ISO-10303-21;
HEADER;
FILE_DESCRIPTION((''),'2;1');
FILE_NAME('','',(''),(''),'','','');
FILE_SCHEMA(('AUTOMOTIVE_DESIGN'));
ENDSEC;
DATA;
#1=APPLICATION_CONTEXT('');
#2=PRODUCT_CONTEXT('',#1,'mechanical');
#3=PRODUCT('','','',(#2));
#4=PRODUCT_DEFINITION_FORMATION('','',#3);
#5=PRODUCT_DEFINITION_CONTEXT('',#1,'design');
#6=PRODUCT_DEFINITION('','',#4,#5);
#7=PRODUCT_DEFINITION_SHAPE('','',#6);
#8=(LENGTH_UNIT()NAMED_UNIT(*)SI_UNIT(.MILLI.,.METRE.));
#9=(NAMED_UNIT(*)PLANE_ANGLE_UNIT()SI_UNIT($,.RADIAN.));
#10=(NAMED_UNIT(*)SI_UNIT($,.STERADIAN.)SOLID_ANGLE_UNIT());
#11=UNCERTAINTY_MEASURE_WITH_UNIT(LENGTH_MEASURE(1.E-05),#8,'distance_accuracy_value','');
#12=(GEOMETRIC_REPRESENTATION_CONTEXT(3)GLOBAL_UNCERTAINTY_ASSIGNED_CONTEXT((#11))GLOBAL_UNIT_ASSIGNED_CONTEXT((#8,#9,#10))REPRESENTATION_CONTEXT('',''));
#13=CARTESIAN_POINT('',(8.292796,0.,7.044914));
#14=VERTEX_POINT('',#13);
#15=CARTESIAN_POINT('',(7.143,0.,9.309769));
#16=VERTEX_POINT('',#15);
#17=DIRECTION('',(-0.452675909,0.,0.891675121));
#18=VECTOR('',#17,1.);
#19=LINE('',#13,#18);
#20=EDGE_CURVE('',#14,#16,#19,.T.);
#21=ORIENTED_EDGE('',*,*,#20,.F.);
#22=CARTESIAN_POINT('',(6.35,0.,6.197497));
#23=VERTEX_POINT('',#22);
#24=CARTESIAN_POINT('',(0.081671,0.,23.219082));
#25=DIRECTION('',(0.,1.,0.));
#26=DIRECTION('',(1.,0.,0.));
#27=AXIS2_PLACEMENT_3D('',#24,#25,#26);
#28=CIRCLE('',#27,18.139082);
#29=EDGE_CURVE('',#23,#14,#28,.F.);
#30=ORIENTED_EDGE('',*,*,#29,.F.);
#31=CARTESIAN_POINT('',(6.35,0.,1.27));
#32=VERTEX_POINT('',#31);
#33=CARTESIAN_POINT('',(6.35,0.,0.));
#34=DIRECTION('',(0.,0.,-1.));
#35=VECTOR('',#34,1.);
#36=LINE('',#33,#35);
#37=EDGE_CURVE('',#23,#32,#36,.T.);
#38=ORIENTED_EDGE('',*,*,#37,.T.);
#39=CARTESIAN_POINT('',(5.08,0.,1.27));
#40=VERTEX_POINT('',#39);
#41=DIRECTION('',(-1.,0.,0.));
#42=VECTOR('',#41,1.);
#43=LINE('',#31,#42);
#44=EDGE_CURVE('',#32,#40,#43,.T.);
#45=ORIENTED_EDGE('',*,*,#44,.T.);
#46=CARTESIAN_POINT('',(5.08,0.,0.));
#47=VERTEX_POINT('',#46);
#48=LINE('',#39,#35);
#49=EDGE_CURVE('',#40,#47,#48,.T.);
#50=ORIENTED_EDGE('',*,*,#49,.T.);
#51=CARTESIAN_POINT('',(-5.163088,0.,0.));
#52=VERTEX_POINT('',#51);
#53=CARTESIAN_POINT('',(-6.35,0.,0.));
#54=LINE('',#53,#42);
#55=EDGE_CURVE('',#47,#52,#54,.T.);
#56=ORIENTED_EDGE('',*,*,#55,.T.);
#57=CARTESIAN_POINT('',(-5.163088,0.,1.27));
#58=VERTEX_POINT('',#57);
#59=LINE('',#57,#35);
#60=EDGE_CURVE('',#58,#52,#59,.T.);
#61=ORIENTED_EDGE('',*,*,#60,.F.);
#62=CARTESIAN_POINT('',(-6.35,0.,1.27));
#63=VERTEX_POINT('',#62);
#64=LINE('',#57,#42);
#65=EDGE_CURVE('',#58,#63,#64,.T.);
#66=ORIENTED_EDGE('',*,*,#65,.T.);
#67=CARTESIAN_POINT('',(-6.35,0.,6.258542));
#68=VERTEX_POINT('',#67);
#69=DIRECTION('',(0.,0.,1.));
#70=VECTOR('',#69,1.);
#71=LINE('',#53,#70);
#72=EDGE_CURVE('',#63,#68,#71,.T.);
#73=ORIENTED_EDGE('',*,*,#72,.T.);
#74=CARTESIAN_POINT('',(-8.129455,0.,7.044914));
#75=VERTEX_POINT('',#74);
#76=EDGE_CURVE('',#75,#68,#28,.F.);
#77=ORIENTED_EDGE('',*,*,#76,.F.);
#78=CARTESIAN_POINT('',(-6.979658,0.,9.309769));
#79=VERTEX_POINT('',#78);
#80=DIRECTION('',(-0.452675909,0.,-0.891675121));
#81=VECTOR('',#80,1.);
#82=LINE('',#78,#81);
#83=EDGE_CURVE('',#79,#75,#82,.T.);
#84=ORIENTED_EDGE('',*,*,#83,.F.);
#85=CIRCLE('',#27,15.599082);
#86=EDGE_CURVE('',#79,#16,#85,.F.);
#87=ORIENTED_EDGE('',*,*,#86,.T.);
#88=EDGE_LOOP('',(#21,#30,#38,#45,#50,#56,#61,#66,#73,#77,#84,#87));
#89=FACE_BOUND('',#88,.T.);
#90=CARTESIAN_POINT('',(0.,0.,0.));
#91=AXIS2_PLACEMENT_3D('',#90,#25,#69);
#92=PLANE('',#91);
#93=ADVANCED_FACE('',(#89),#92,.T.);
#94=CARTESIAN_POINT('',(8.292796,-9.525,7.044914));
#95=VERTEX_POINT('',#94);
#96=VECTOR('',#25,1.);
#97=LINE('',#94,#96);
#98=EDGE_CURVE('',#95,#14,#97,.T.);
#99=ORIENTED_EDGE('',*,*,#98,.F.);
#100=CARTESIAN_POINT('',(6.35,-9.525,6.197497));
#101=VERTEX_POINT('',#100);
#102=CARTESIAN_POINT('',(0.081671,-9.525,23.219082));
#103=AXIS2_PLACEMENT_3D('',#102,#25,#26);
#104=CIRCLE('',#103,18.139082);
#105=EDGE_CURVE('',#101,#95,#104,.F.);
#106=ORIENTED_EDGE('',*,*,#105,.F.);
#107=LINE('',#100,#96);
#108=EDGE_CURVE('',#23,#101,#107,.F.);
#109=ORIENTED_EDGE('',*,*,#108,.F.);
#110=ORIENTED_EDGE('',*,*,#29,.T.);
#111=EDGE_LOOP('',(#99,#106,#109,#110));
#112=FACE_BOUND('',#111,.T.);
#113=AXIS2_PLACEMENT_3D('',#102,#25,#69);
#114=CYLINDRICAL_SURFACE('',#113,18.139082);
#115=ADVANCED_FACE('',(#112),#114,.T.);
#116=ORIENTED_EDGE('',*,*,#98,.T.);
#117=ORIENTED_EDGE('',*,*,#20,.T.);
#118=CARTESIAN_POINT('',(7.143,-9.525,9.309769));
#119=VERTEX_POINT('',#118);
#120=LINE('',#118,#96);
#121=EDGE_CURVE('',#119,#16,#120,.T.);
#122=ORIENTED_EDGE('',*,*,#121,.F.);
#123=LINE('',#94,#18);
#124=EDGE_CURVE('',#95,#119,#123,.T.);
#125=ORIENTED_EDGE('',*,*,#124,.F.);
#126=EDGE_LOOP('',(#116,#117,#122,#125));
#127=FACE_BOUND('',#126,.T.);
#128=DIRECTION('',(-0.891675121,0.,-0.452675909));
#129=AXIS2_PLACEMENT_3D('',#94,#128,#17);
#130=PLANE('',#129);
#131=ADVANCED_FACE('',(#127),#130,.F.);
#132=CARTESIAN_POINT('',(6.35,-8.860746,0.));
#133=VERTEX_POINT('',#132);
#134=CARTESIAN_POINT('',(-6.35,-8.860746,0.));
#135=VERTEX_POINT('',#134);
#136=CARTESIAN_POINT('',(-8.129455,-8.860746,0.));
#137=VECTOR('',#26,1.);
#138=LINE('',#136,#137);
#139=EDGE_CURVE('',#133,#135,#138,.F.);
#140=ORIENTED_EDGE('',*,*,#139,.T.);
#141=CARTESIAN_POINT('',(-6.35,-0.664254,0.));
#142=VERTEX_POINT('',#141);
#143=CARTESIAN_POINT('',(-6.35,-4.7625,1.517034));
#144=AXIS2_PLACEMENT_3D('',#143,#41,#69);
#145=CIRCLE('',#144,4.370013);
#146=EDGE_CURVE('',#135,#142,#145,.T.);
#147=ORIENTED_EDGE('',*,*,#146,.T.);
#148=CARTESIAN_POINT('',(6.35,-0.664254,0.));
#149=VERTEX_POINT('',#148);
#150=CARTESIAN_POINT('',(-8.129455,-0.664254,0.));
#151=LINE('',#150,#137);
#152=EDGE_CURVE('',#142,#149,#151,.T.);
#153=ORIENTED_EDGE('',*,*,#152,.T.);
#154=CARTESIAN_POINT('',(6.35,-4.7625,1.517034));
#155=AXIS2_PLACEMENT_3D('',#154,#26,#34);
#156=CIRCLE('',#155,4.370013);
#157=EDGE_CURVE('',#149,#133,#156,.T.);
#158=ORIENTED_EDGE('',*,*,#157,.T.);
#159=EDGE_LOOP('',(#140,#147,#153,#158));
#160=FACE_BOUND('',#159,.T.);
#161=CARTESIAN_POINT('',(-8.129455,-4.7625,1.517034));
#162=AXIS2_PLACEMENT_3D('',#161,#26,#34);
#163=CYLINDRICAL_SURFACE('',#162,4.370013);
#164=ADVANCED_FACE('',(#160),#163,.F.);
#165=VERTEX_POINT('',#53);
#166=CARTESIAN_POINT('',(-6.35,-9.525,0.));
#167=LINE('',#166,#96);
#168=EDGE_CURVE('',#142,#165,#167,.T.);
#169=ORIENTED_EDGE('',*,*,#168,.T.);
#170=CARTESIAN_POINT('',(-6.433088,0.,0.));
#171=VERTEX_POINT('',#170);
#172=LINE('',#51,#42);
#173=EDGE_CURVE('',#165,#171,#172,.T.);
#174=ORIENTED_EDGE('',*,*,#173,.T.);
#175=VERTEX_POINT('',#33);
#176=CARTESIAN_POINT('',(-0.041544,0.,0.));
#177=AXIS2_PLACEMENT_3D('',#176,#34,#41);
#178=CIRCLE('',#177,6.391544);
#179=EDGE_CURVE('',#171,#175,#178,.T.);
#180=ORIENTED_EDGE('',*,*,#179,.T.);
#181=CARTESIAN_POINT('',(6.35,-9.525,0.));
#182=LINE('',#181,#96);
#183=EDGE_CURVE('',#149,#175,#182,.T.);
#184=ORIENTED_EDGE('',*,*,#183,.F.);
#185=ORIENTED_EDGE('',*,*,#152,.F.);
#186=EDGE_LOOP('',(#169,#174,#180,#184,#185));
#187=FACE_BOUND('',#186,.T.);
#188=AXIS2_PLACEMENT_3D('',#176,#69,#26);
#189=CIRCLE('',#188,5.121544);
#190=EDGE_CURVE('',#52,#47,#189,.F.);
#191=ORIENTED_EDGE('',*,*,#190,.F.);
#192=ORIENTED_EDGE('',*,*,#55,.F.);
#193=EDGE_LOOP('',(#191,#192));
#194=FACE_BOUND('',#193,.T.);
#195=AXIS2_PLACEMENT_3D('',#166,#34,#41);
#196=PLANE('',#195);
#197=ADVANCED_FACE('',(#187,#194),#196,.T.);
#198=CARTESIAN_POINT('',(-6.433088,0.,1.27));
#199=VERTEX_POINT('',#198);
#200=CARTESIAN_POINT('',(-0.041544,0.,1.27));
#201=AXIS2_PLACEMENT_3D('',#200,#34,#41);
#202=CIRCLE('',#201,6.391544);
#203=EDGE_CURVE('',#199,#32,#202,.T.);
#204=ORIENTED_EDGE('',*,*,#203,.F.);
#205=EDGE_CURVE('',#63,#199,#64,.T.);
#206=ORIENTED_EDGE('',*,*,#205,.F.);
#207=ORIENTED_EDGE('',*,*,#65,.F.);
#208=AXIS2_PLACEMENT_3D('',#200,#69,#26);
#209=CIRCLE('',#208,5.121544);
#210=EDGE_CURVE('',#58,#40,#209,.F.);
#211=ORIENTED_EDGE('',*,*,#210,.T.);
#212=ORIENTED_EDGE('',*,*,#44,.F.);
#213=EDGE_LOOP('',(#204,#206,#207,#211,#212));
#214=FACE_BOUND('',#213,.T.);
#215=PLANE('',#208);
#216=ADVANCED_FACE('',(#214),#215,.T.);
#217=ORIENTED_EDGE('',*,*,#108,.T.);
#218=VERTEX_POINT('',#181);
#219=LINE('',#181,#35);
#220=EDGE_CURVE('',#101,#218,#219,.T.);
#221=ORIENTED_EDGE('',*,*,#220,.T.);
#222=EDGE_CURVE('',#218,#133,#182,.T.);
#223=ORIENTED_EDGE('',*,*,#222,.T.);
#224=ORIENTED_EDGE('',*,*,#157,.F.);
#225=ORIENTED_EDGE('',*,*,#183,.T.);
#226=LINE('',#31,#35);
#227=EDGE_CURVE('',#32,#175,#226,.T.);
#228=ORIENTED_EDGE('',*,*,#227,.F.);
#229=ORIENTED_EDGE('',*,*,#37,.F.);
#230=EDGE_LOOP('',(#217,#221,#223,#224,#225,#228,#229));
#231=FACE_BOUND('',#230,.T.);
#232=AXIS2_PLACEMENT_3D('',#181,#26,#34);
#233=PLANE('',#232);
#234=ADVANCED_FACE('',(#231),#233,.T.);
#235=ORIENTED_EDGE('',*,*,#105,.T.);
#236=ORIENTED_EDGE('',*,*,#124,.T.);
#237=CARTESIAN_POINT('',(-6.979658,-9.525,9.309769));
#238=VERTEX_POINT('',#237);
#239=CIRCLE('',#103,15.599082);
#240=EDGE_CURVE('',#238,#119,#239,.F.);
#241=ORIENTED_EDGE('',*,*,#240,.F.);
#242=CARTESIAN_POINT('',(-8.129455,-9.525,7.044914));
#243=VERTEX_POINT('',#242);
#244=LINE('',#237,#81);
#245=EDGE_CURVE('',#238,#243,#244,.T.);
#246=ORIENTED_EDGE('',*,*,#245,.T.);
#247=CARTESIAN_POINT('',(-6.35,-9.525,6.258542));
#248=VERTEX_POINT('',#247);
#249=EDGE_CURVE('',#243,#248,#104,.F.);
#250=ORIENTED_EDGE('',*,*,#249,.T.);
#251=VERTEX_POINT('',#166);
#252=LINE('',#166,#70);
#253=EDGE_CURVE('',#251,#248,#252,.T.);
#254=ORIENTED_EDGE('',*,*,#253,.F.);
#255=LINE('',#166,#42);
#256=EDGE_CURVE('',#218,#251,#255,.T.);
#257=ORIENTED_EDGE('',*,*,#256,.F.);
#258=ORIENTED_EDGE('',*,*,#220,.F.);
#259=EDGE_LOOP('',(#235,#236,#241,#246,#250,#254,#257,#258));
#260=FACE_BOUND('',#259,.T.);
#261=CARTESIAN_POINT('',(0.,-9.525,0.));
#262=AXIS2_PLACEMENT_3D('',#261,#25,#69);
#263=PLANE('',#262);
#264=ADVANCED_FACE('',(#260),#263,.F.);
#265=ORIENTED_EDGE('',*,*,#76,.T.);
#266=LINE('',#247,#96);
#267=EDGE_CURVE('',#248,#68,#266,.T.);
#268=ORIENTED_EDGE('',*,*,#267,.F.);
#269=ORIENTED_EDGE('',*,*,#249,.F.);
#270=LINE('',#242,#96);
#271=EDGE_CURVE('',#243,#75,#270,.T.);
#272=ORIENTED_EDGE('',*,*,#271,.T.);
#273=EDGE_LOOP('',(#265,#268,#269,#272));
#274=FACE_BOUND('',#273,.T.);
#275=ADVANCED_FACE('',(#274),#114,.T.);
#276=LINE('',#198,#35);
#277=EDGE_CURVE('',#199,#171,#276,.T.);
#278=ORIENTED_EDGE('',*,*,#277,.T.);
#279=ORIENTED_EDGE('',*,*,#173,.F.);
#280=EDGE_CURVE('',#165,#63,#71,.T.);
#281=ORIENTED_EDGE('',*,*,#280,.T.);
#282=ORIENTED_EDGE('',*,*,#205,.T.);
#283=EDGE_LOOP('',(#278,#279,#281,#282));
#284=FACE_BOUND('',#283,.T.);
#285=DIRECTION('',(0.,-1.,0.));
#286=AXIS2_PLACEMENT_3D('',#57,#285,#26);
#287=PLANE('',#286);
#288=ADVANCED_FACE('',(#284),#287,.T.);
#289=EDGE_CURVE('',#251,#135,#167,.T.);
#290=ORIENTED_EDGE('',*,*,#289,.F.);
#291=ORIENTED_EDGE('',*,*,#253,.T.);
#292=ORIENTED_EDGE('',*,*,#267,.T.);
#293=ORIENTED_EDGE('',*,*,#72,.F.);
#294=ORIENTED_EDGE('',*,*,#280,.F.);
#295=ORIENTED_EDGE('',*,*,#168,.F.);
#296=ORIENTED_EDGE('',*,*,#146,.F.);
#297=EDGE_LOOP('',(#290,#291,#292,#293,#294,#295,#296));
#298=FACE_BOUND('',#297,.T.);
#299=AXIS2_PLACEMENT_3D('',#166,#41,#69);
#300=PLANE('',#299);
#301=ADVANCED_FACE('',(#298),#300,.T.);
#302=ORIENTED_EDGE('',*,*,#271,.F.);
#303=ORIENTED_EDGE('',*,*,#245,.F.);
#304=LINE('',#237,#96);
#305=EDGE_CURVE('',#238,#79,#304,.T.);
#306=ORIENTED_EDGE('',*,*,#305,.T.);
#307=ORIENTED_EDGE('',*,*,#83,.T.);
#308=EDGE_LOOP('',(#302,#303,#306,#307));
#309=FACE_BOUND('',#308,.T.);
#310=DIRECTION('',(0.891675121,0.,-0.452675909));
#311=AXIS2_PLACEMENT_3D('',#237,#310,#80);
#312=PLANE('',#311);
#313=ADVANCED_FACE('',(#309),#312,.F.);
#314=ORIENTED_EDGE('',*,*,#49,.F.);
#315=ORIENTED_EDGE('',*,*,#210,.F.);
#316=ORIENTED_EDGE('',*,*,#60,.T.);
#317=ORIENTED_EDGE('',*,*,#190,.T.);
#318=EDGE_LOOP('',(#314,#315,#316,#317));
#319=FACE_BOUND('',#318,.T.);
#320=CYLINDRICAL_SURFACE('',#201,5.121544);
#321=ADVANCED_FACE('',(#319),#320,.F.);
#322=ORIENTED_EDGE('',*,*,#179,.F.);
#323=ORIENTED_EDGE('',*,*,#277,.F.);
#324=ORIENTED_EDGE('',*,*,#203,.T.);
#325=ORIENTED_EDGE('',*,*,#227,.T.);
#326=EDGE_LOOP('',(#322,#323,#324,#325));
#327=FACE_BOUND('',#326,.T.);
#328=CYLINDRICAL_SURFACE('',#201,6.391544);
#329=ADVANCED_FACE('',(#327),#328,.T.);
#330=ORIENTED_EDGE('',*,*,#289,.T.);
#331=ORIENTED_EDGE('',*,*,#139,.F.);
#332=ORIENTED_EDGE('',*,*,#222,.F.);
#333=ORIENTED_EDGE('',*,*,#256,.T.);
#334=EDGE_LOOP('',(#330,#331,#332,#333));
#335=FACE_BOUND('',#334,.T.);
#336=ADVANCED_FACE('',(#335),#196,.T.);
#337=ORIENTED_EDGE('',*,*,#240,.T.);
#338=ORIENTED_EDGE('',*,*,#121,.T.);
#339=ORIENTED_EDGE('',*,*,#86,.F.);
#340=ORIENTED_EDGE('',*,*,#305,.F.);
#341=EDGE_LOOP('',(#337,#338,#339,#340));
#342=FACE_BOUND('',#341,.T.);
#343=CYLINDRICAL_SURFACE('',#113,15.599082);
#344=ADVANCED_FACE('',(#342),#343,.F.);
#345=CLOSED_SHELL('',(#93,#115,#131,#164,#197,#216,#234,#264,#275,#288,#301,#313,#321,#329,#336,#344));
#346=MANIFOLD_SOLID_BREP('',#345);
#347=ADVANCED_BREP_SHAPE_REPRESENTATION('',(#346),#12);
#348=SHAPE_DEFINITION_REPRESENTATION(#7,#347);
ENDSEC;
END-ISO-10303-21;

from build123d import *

# Parameters (mm, degrees)
SKETCH2_W               = 12.7
SKETCH2_H               = 6.35
BOSS_EXTRUDE1_DEPTH     = 9.525
EXTRUDE_THIN1_DEPTH     = 9.525
CUT_EXTRUDE1_DEPTH      = 16.689738362
CUT_EXTRUDE1_DEPTH_BACK = 16.689738362
SKETCH4_R               = 4.370013209
EXTRUDE_THIN3_DEPTH     = 1.27


with BuildPart() as part:
    # Sketch2 → Boss-Extrude1 (new body)
    with BuildSketch(Plane(origin=(0, 0, 0), x_dir=(1, 0, 0), z_dir=(0, 1, 0))):
        with Locations((0, -3.175)):
            Rectangle(SKETCH2_W, SKETCH2_H)
    extrude(amount=-BOSS_EXTRUDE1_DEPTH)

    # Sketch3 → Extrude-Thin1 (add)
    with BuildSketch(Plane(origin=(0, 0, 0), x_dir=(1, 0, 0), z_dir=(0, 1, 0))):
        with BuildLine():
            ThreePointArc((-6.979657819, -9.309768687), (0.081670878, -7.62), (7.142999576, -9.309768687))
            Line((7.142999576, -9.309768687), (8.292796384, -7.044913879))
            ThreePointArc((8.292796384, -7.044913879), (0.081670878, -5.08), (-8.129454628, -7.044913879))
            Line((-8.129454628, -7.044913879), (-6.979657819, -9.309768687))
        make_face()
    extrude(amount=-EXTRUDE_THIN1_DEPTH)

    # Sketch4 → Cut-Extrude1 (cut, two sides: drawn at the far end of the back side and taken through both)
    with BuildSketch(Plane(origin=(0, 0, 0), x_dir=(0, 0, -1), z_dir=(1, 0, 0)).offset(-CUT_EXTRUDE1_DEPTH_BACK)):
        with Locations((-1.517033844, -4.7625)):
            Circle(SKETCH4_R)
    extrude(amount=CUT_EXTRUDE1_DEPTH + CUT_EXTRUDE1_DEPTH_BACK, mode=Mode.SUBTRACT)

    # Sketch6 → Extrude-Thin3 (add)
    with BuildSketch(Plane.XY):
        with BuildLine():
            ThreePointArc((-6.433087898, 0), (-0.041543949, 6.391543949), (6.35, 0))
            Line((6.35, 0), (5.08, 0))
            ThreePointArc((5.08, 0), (-0.041543949, 5.121543949), (-5.163087898, 0))
            Line((-5.163087898, 0), (-6.433087898, 0))
        make_face()
    extrude(amount=EXTRUDE_THIN3_DEPTH)


solid = part.part
